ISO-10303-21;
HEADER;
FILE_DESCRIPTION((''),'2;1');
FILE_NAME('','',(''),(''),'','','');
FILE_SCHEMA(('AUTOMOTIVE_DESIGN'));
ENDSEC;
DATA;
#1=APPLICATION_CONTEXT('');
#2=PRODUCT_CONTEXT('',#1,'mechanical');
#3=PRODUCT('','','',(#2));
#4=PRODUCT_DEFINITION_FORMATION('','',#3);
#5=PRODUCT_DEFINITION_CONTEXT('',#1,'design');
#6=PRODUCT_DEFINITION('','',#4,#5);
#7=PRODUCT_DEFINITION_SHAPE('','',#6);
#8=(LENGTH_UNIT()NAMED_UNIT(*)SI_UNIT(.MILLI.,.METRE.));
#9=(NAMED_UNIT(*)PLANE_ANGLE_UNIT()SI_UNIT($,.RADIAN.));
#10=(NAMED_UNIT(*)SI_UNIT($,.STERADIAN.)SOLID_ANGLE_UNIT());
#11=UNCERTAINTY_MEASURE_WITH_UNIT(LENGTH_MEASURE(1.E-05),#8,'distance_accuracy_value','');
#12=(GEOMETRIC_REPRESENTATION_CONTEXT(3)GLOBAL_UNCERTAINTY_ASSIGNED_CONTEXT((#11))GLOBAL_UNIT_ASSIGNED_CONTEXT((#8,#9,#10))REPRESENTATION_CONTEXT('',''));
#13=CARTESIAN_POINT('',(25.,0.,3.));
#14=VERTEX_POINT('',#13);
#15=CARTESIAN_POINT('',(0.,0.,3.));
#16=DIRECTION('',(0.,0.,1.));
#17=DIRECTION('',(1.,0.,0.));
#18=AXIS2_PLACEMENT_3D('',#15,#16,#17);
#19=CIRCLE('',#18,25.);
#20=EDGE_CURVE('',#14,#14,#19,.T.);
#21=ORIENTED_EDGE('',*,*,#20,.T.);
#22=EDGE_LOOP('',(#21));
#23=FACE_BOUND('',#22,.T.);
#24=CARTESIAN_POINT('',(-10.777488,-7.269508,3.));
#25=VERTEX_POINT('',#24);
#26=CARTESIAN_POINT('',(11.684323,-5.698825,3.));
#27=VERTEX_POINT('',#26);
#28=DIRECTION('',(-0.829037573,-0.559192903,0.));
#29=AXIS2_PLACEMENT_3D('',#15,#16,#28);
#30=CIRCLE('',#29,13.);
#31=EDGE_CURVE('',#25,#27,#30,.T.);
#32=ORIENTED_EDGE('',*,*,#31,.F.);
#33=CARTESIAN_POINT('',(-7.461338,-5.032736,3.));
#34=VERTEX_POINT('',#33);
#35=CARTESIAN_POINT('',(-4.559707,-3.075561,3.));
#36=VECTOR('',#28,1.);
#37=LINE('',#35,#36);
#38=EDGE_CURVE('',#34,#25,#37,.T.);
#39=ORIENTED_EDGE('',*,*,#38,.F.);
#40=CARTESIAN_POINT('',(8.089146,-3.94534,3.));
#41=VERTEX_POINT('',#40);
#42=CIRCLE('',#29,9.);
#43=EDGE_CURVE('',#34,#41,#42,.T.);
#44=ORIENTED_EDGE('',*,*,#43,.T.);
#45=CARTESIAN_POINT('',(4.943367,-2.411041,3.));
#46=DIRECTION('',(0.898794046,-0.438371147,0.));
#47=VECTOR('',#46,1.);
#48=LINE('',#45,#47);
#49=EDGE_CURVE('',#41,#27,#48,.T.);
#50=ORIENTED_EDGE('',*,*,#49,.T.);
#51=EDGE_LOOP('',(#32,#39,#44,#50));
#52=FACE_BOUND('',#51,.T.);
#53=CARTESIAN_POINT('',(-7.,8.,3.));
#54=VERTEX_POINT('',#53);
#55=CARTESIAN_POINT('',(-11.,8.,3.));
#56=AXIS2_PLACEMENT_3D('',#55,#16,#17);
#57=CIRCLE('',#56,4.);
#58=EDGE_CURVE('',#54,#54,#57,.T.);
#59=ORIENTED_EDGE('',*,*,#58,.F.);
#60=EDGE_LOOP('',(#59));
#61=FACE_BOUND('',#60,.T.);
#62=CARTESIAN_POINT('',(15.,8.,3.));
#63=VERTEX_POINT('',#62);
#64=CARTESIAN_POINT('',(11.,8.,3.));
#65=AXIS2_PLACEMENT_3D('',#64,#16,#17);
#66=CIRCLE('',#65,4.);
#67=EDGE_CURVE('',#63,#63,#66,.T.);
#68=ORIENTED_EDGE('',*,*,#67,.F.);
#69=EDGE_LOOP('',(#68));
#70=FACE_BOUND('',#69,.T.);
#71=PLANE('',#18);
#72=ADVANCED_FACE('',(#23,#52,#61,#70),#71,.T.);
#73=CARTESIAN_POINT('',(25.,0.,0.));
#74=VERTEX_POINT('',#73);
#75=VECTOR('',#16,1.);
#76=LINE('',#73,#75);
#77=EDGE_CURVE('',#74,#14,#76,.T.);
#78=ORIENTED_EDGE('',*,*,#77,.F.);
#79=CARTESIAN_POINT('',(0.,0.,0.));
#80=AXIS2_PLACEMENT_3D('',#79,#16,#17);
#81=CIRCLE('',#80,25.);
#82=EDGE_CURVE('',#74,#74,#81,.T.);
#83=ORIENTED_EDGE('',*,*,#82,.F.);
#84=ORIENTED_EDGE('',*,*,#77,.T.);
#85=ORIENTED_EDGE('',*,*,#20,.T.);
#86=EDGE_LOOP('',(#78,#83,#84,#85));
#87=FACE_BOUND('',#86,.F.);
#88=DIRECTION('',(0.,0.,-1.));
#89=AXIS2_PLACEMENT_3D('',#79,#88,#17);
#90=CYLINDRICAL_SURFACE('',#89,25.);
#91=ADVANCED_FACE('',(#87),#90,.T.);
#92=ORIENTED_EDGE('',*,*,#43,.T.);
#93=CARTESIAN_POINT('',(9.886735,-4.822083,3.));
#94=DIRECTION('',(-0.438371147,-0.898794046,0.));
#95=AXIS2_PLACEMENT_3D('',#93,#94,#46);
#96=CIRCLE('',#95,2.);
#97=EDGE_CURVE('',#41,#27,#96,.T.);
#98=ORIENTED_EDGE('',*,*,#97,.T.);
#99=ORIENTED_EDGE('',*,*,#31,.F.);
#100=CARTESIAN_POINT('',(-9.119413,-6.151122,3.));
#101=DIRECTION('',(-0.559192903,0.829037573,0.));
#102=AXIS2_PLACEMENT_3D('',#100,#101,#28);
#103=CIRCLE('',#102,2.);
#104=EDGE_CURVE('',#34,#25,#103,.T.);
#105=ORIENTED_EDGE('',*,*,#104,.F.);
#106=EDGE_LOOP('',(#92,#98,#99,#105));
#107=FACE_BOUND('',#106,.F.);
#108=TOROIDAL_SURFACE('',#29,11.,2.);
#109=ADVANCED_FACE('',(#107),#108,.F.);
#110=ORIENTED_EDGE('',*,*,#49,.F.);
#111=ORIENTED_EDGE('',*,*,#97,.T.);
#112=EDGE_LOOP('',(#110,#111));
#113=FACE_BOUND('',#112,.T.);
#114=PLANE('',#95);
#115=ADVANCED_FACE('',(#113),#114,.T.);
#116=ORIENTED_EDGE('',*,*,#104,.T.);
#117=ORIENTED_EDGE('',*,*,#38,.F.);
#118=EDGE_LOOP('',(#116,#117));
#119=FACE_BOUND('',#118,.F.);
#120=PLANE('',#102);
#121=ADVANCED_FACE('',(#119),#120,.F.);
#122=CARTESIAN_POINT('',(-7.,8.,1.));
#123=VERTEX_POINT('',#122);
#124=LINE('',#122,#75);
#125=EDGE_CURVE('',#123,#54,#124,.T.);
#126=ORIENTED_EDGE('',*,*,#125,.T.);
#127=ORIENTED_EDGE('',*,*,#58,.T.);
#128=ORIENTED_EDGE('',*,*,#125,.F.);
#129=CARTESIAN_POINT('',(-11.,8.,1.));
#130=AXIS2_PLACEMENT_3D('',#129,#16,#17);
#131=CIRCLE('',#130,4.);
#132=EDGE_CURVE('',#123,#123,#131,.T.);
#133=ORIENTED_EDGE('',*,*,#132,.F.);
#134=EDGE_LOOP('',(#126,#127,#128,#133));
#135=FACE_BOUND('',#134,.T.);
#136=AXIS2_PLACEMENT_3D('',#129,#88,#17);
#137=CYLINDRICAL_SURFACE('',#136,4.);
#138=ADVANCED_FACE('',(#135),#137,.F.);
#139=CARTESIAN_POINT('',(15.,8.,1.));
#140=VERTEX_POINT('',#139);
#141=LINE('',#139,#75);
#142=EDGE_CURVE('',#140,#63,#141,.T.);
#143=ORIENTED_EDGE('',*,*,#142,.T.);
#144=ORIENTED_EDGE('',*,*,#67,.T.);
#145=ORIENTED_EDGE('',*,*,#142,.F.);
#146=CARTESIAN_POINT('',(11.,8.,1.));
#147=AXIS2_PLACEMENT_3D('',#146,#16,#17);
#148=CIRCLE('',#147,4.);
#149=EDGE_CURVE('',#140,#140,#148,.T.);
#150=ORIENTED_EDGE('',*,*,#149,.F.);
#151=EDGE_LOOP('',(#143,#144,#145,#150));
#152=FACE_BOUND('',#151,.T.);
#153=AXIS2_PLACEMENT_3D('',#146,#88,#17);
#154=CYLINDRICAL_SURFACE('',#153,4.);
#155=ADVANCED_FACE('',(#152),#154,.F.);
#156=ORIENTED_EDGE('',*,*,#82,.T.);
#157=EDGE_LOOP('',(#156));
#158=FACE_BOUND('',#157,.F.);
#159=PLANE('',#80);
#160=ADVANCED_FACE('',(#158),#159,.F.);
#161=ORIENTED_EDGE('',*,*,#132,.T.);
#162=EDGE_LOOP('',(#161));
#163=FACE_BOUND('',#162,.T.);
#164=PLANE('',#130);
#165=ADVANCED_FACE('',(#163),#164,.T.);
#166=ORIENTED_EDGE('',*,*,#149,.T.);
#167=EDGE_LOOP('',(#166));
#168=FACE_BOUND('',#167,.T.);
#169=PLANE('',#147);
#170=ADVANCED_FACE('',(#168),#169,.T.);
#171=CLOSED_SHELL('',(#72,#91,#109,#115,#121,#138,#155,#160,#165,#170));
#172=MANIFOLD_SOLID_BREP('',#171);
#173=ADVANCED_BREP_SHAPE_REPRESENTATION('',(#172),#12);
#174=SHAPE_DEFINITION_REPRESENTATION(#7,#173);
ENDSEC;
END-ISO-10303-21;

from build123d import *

# Parameters (mm, degrees)
CYLINDER001_R         = 4
CYLINDER001_DEPTH     = 2
CYLINDER002_R         = 4
CYLINDER002_DEPTH     = 2
TORUS_R               = 2
TORUS_ANGLE           = 120
TORUS_PLACEMENT_ANGLE = 146
CYLINDER_R            = 25
CYLINDER_DEPTH        = 3


with BuildPart() as ull1:
    # Cylinder001 → Cylinder001 (new body)
    with BuildSketch(Plane(origin=(11, 8, 1), x_dir=(1, 0, 0), z_dir=(0, 0, 1))):
        Circle(CYLINDER001_R)
    extrude(amount=CYLINDER001_DEPTH)


with BuildPart() as ull2:
    # Cylinder002 → Cylinder002 (new body)
    with BuildSketch(Plane(origin=(-11, 8, 1), x_dir=(1, 0, 0), z_dir=(0, 0, 1))):
        Circle(CYLINDER002_R)
    extrude(amount=CYLINDER002_DEPTH)


with BuildPart() as boca:
    # Torus → Torus (revolve)
    with BuildSketch(Plane.XZ):
        with Locations((11, 0)):
            Circle(TORUS_R)
    revolve(axis=Axis((0, 0, 0), (0, 0, 1)), revolution_arc=TORUS_ANGLE)


with BuildPart() as boca_1:
    # Torus placement: moved
    add(boca.part.moved(Location((0, 0, 3))).rotate(Axis((0, 0, 3), (0, 0, -1)), TORUS_PLACEMENT_ANGLE))


with BuildPart() as cut002:
    # Cylinder → Cylinder (new body)
    with BuildSketch(Plane.XY):
        Circle(CYLINDER_R)
    extrude(amount=CYLINDER_DEPTH)

    # Cut: cut boca
    add(boca_1.part, mode=Mode.SUBTRACT)

    # Cut001: cut ull2
    add(ull2.part, mode=Mode.SUBTRACT)

    # Cut002: cut ull1
    add(ull1.part, mode=Mode.SUBTRACT)


solid = cut002.part
